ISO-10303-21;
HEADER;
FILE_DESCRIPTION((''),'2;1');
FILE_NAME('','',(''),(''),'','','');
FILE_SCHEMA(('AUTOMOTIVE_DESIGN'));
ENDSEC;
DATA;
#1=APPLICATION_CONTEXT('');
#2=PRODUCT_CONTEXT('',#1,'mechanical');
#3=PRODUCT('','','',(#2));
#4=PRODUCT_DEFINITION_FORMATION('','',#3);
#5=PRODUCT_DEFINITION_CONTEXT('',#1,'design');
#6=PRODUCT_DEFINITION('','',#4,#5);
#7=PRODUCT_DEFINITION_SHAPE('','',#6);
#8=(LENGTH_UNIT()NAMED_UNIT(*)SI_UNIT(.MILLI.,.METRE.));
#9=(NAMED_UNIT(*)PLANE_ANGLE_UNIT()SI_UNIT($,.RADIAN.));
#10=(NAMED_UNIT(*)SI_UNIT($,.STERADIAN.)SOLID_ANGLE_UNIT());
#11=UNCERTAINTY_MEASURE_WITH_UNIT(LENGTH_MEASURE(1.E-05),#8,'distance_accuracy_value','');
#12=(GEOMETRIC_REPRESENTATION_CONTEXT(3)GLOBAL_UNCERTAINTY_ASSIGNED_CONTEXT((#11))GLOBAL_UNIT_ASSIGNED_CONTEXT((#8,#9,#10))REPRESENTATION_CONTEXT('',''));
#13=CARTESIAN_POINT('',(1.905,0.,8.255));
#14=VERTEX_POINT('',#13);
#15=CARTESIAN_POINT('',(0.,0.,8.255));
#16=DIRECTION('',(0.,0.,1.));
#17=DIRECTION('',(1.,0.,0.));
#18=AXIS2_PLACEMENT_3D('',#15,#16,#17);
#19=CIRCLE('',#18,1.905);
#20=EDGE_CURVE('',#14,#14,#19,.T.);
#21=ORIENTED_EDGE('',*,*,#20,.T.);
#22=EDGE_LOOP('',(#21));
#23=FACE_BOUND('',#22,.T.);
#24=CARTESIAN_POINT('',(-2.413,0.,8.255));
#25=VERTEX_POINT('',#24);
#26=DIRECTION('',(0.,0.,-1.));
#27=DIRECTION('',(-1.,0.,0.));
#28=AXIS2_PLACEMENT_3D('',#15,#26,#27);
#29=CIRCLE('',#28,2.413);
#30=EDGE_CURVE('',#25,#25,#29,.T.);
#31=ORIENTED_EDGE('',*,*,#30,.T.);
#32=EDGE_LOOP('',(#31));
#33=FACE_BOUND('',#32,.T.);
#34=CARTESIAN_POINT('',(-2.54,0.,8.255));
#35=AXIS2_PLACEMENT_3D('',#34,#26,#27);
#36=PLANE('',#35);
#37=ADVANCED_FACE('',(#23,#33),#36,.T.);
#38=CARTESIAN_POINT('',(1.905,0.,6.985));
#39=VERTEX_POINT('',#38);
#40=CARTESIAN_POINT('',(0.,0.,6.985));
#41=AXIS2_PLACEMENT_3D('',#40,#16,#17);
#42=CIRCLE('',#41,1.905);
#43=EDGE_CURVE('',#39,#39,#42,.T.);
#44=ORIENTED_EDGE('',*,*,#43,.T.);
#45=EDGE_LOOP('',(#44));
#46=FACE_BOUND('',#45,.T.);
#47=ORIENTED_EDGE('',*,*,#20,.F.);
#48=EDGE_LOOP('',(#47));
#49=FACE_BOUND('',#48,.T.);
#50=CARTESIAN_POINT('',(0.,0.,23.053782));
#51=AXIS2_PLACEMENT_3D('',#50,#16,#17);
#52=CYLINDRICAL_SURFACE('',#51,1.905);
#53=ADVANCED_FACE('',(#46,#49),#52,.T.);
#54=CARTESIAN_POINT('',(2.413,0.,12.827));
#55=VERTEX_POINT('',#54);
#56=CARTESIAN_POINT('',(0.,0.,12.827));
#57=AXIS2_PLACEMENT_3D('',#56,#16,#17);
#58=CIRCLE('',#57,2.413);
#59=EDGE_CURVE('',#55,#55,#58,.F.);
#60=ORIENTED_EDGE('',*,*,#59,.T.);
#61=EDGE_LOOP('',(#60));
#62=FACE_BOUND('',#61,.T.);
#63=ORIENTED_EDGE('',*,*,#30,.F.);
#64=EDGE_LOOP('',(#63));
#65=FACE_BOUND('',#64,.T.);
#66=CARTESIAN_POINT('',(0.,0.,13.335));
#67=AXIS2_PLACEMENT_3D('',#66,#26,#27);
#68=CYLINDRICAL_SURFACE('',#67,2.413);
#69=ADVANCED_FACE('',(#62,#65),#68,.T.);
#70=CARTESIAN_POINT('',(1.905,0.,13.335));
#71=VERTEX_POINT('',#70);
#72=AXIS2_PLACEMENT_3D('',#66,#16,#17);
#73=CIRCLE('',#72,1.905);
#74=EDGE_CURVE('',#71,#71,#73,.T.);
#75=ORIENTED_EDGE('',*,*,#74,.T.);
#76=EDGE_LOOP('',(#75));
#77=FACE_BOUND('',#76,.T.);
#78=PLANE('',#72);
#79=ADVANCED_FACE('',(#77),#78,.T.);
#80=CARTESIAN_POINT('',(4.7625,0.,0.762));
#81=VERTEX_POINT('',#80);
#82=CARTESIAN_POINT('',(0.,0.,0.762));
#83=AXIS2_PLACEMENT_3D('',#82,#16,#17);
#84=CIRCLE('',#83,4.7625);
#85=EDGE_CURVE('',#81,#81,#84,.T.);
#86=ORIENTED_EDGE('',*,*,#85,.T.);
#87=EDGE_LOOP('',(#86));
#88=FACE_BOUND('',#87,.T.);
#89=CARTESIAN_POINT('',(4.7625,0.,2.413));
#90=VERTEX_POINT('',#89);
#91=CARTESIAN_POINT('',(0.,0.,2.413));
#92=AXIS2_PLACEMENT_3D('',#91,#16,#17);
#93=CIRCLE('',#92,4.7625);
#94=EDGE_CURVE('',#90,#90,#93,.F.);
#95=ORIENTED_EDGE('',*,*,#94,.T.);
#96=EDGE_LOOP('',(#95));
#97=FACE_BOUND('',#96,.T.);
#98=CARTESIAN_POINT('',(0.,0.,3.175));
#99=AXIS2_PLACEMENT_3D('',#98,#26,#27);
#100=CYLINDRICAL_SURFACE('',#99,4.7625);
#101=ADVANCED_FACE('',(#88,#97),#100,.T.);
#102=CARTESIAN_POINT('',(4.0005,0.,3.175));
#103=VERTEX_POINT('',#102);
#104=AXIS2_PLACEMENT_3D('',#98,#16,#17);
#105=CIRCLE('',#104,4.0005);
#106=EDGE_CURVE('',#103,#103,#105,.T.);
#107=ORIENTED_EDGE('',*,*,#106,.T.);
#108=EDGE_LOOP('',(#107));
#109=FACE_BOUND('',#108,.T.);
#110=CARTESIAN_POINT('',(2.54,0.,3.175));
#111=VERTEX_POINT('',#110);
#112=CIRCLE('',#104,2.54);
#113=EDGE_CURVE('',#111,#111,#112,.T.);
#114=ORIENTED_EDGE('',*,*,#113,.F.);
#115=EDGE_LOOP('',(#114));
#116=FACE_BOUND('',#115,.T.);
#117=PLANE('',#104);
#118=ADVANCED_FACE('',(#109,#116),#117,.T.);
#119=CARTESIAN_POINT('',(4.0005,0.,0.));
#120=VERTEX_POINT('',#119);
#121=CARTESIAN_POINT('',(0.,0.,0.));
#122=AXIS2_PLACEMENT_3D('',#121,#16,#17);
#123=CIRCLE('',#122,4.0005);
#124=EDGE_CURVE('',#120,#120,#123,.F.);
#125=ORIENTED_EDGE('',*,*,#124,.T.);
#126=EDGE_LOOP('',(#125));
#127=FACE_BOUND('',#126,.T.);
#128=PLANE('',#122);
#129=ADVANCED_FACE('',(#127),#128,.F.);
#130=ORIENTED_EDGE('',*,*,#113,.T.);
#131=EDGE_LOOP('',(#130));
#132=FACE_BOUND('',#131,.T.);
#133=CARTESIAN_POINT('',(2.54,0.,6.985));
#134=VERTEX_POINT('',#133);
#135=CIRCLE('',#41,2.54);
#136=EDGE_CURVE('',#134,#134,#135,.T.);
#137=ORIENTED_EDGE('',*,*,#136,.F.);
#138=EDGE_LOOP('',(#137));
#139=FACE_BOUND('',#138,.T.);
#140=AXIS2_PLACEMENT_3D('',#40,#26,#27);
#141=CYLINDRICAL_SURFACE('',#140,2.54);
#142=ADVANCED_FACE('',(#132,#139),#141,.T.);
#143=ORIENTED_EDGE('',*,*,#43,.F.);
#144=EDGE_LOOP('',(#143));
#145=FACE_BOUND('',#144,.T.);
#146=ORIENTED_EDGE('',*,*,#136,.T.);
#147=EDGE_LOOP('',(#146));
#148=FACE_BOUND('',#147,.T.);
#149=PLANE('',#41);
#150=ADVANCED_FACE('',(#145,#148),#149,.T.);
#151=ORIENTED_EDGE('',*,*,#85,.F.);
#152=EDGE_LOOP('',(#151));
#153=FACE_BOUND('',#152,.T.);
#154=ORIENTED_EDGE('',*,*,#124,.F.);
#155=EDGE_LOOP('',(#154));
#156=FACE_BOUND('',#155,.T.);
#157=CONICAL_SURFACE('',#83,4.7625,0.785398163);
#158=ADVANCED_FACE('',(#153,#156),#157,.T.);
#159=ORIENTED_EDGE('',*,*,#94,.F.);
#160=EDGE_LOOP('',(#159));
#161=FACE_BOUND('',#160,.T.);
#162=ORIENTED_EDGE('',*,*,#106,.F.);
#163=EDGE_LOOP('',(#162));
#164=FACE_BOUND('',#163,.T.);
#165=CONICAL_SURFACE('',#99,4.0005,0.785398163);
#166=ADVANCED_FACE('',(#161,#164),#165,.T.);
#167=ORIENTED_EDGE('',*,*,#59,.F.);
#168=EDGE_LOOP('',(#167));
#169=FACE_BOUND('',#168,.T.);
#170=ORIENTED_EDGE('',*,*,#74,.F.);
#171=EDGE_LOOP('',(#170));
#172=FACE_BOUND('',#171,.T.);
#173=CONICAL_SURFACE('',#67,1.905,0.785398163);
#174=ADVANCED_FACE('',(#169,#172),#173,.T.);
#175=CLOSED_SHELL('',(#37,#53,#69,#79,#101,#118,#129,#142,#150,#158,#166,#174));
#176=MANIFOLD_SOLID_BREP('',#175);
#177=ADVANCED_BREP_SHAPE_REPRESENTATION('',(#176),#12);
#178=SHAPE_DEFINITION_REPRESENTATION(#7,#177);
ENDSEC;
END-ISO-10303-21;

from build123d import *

# Parameters (mm, degrees)
SKETCH1_R           = 4.7625
BOSS_EXTRUDE1_DEPTH = 3.175
SKETCH2_R           = 2.54
BOSS_EXTRUDE2_DEPTH = 3.81
SKETCH3_R           = 2.413
BOSS_EXTRUDE3_DEPTH = 6.35
CHAMFER1_SIZE       = 0.508
SKETCH8_W           = 0.635
SKETCH8_H           = 1.27
CHAMFER2_SIZE       = 0.762


with BuildPart() as part:
    # Sketch1 → Boss-Extrude1 (new body)
    with BuildSketch(Plane.XY):
        Circle(SKETCH1_R)
    extrude(amount=BOSS_EXTRUDE1_DEPTH)

    # Sketch2 → Boss-Extrude2 (add)
    with BuildSketch(Plane.XY.offset(3.175)):
        Circle(SKETCH2_R)
    extrude(amount=BOSS_EXTRUDE2_DEPTH)

    # Sketch3 → Boss-Extrude3 (add)
    with BuildSketch(Plane.XY.offset(6.985)):
        Circle(SKETCH3_R)
    extrude(amount=BOSS_EXTRUDE3_DEPTH)

    # Chamfer1
    chamfer1_edges = [part.edges().sort_by_distance(p)[0] for p in [
        (-2.413, 0, 13.335),
    ]]
    chamfer(chamfer1_edges, length=CHAMFER1_SIZE)

    # Sketch8 → Cut-Revolve1 (revolve, cut)
    with BuildSketch(Plane(origin=(0, 0, 0), x_dir=(1, 0, 0), z_dir=(0, 1, 0))):
        with Locations((-2.2225, -7.62)):
            Rectangle(SKETCH8_W, SKETCH8_H)
    revolve(axis=Axis((0, 0, 23.053781971), (0, 0, -1)), mode=Mode.SUBTRACT)

    # Chamfer2
    chamfer2_edges = [part.edges().sort_by_distance(p)[0] for p in [
        (-4.7625, 0, 0),
        (-4.7625, 0, 3.175),
    ]]
    chamfer(chamfer2_edges, length=CHAMFER2_SIZE)


solid = part.part
